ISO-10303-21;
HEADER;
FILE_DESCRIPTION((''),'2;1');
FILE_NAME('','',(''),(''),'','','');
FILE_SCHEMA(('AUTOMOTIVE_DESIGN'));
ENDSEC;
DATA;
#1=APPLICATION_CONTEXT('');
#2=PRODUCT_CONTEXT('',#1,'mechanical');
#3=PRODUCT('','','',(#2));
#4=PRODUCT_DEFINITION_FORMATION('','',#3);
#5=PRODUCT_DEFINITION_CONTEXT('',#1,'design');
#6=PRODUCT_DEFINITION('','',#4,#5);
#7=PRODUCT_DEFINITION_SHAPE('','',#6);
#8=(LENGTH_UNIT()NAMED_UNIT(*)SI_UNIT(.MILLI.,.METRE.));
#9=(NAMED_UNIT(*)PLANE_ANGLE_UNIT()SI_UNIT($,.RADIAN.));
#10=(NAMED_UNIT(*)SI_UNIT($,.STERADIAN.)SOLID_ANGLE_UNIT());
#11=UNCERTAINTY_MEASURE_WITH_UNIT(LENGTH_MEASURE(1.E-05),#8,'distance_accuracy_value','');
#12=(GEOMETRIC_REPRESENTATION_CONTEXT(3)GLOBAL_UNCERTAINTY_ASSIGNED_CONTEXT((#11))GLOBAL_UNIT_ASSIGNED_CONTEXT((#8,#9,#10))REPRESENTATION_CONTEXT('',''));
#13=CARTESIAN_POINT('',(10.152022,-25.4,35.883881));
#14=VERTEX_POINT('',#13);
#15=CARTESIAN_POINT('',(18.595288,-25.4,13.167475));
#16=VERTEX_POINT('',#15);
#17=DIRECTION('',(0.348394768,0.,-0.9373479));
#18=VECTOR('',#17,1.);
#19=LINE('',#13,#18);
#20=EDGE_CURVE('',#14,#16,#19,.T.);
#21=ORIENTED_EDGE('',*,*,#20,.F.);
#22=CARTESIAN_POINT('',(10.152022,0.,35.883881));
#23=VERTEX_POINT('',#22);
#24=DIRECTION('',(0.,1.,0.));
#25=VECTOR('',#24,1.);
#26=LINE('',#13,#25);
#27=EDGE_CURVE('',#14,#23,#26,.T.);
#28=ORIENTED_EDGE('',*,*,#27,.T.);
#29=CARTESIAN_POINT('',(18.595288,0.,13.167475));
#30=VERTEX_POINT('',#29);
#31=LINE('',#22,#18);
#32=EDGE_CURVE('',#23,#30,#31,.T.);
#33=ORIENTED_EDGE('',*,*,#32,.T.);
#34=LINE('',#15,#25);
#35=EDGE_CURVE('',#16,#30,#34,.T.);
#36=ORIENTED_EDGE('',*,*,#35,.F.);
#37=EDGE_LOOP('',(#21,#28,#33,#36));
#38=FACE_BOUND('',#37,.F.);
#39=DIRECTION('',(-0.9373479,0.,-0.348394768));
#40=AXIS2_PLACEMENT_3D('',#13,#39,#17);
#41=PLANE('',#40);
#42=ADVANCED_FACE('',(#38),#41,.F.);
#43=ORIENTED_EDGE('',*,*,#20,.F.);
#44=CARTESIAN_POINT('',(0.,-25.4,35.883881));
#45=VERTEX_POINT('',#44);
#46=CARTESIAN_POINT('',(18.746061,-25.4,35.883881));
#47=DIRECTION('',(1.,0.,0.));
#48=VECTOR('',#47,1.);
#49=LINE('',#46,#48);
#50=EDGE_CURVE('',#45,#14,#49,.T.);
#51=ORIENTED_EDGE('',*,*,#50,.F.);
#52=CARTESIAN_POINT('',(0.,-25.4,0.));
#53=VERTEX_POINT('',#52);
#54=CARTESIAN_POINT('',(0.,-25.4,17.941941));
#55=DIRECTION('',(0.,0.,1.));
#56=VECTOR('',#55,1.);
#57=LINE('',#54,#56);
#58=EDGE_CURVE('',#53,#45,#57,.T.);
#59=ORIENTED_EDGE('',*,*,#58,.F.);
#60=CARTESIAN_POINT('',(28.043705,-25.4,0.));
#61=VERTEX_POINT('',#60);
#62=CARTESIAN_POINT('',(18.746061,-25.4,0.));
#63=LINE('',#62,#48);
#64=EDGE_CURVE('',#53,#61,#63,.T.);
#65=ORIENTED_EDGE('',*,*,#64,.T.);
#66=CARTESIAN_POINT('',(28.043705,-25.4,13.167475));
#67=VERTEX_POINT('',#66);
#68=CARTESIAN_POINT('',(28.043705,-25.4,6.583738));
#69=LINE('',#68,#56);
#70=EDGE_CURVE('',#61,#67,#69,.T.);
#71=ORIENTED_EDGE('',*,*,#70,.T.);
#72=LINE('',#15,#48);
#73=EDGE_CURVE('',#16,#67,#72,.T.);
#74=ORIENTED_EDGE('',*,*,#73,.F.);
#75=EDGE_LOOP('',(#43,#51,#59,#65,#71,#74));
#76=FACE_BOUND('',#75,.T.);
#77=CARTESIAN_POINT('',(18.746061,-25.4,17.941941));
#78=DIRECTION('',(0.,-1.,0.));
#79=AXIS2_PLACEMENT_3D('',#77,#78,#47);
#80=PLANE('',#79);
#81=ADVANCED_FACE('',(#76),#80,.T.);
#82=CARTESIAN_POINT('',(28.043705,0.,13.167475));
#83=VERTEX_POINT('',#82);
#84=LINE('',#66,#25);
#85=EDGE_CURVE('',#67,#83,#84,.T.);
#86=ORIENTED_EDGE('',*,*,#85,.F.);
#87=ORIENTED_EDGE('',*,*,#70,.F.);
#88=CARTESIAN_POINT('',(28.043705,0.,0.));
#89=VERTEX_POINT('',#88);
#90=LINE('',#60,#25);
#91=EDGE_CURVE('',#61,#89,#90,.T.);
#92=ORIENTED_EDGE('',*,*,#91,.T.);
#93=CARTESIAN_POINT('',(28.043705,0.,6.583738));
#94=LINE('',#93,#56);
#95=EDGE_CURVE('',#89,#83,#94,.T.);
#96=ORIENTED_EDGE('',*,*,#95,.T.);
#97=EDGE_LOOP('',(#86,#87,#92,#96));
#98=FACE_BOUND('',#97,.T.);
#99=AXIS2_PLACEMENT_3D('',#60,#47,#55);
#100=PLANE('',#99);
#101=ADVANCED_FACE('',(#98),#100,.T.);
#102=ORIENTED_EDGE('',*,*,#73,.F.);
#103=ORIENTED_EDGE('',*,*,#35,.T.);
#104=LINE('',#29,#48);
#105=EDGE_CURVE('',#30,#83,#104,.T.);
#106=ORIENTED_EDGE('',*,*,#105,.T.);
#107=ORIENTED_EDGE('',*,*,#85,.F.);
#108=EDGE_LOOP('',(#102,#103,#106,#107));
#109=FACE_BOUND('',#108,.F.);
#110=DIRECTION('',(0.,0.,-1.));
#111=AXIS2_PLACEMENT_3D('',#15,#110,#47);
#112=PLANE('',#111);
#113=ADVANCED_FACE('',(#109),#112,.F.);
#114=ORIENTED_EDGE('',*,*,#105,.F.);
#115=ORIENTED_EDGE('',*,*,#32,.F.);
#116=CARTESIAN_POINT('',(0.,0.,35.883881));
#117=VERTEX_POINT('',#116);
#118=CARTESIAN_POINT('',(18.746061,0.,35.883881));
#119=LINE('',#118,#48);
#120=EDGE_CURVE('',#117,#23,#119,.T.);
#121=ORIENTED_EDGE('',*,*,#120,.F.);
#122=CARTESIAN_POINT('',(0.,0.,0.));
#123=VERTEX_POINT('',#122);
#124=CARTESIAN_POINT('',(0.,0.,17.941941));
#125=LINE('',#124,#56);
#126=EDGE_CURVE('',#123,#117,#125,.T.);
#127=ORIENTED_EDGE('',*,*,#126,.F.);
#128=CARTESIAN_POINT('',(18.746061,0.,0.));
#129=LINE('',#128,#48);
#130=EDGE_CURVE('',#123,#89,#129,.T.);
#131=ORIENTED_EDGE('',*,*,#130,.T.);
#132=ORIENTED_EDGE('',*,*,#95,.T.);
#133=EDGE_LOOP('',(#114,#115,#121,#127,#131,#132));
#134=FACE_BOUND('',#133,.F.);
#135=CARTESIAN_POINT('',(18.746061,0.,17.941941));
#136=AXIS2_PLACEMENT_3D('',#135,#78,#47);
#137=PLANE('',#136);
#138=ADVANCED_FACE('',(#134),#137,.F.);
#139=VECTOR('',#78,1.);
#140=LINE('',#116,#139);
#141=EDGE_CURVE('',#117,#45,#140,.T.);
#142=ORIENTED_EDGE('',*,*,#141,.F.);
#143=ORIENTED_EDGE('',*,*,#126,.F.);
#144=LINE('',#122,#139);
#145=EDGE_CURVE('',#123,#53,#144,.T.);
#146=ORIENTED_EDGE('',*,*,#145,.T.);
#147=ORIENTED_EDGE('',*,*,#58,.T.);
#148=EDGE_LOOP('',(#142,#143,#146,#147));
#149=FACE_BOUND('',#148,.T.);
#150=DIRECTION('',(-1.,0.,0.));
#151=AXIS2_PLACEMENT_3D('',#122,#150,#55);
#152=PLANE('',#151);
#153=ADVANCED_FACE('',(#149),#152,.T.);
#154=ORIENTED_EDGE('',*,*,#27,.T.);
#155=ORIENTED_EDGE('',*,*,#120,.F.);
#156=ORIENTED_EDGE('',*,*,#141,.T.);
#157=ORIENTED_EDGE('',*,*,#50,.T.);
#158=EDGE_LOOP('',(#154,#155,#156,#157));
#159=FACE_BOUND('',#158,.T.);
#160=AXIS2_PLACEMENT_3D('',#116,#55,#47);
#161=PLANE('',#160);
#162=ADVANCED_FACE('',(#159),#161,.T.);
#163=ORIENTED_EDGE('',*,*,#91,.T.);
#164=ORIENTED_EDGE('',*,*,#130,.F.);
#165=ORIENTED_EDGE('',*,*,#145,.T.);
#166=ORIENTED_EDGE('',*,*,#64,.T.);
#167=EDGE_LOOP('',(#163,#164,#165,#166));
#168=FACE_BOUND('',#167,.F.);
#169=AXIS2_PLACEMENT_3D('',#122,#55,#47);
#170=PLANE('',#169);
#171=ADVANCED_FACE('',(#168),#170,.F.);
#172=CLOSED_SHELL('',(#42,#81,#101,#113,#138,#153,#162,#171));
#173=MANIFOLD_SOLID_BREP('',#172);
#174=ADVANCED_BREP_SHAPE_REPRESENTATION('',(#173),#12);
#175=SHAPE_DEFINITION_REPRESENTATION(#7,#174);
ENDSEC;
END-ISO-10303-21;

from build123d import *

# Parameters (mm, degrees)
F0_W     = 37.4921225011
F0_H     = 35.8838811517
F1_DEPTH = 25.4
F3_DEPTH = 25.4
F4_W     = 9.4484174624
F4_H     = 13.1674753502
F5_DEPTH = 25.4


with BuildPart() as f1:
    # F0 (on Front) → F1 (new body)
    with BuildSketch(Plane.XZ):
        with Locations((18.7460612506, 17.9419405758)):
            Rectangle(F0_W, F0_H)
    extrude(amount=F1_DEPTH)

    # F2 (on face) → F3 (cut)
    with BuildSketch(Plane.XZ.offset(25.4)):
        Polygon((37.4921225011, 35.8838811517), (10.1520223543, 35.8838811517), (18.5952875763, 13.1674753502), (37.4921225011, 13.1674753502), align=None)
    extrude(amount=-F3_DEPTH, mode=Mode.SUBTRACT)

    # F4 (on face) → F5 (cut)
    with BuildSketch(Plane.XZ.offset(25.4)):
        with Locations((32.7679137699, 6.5837376751)):
            Rectangle(F4_W, F4_H)
    extrude(amount=-F5_DEPTH, mode=Mode.SUBTRACT)


solid = f1.part
